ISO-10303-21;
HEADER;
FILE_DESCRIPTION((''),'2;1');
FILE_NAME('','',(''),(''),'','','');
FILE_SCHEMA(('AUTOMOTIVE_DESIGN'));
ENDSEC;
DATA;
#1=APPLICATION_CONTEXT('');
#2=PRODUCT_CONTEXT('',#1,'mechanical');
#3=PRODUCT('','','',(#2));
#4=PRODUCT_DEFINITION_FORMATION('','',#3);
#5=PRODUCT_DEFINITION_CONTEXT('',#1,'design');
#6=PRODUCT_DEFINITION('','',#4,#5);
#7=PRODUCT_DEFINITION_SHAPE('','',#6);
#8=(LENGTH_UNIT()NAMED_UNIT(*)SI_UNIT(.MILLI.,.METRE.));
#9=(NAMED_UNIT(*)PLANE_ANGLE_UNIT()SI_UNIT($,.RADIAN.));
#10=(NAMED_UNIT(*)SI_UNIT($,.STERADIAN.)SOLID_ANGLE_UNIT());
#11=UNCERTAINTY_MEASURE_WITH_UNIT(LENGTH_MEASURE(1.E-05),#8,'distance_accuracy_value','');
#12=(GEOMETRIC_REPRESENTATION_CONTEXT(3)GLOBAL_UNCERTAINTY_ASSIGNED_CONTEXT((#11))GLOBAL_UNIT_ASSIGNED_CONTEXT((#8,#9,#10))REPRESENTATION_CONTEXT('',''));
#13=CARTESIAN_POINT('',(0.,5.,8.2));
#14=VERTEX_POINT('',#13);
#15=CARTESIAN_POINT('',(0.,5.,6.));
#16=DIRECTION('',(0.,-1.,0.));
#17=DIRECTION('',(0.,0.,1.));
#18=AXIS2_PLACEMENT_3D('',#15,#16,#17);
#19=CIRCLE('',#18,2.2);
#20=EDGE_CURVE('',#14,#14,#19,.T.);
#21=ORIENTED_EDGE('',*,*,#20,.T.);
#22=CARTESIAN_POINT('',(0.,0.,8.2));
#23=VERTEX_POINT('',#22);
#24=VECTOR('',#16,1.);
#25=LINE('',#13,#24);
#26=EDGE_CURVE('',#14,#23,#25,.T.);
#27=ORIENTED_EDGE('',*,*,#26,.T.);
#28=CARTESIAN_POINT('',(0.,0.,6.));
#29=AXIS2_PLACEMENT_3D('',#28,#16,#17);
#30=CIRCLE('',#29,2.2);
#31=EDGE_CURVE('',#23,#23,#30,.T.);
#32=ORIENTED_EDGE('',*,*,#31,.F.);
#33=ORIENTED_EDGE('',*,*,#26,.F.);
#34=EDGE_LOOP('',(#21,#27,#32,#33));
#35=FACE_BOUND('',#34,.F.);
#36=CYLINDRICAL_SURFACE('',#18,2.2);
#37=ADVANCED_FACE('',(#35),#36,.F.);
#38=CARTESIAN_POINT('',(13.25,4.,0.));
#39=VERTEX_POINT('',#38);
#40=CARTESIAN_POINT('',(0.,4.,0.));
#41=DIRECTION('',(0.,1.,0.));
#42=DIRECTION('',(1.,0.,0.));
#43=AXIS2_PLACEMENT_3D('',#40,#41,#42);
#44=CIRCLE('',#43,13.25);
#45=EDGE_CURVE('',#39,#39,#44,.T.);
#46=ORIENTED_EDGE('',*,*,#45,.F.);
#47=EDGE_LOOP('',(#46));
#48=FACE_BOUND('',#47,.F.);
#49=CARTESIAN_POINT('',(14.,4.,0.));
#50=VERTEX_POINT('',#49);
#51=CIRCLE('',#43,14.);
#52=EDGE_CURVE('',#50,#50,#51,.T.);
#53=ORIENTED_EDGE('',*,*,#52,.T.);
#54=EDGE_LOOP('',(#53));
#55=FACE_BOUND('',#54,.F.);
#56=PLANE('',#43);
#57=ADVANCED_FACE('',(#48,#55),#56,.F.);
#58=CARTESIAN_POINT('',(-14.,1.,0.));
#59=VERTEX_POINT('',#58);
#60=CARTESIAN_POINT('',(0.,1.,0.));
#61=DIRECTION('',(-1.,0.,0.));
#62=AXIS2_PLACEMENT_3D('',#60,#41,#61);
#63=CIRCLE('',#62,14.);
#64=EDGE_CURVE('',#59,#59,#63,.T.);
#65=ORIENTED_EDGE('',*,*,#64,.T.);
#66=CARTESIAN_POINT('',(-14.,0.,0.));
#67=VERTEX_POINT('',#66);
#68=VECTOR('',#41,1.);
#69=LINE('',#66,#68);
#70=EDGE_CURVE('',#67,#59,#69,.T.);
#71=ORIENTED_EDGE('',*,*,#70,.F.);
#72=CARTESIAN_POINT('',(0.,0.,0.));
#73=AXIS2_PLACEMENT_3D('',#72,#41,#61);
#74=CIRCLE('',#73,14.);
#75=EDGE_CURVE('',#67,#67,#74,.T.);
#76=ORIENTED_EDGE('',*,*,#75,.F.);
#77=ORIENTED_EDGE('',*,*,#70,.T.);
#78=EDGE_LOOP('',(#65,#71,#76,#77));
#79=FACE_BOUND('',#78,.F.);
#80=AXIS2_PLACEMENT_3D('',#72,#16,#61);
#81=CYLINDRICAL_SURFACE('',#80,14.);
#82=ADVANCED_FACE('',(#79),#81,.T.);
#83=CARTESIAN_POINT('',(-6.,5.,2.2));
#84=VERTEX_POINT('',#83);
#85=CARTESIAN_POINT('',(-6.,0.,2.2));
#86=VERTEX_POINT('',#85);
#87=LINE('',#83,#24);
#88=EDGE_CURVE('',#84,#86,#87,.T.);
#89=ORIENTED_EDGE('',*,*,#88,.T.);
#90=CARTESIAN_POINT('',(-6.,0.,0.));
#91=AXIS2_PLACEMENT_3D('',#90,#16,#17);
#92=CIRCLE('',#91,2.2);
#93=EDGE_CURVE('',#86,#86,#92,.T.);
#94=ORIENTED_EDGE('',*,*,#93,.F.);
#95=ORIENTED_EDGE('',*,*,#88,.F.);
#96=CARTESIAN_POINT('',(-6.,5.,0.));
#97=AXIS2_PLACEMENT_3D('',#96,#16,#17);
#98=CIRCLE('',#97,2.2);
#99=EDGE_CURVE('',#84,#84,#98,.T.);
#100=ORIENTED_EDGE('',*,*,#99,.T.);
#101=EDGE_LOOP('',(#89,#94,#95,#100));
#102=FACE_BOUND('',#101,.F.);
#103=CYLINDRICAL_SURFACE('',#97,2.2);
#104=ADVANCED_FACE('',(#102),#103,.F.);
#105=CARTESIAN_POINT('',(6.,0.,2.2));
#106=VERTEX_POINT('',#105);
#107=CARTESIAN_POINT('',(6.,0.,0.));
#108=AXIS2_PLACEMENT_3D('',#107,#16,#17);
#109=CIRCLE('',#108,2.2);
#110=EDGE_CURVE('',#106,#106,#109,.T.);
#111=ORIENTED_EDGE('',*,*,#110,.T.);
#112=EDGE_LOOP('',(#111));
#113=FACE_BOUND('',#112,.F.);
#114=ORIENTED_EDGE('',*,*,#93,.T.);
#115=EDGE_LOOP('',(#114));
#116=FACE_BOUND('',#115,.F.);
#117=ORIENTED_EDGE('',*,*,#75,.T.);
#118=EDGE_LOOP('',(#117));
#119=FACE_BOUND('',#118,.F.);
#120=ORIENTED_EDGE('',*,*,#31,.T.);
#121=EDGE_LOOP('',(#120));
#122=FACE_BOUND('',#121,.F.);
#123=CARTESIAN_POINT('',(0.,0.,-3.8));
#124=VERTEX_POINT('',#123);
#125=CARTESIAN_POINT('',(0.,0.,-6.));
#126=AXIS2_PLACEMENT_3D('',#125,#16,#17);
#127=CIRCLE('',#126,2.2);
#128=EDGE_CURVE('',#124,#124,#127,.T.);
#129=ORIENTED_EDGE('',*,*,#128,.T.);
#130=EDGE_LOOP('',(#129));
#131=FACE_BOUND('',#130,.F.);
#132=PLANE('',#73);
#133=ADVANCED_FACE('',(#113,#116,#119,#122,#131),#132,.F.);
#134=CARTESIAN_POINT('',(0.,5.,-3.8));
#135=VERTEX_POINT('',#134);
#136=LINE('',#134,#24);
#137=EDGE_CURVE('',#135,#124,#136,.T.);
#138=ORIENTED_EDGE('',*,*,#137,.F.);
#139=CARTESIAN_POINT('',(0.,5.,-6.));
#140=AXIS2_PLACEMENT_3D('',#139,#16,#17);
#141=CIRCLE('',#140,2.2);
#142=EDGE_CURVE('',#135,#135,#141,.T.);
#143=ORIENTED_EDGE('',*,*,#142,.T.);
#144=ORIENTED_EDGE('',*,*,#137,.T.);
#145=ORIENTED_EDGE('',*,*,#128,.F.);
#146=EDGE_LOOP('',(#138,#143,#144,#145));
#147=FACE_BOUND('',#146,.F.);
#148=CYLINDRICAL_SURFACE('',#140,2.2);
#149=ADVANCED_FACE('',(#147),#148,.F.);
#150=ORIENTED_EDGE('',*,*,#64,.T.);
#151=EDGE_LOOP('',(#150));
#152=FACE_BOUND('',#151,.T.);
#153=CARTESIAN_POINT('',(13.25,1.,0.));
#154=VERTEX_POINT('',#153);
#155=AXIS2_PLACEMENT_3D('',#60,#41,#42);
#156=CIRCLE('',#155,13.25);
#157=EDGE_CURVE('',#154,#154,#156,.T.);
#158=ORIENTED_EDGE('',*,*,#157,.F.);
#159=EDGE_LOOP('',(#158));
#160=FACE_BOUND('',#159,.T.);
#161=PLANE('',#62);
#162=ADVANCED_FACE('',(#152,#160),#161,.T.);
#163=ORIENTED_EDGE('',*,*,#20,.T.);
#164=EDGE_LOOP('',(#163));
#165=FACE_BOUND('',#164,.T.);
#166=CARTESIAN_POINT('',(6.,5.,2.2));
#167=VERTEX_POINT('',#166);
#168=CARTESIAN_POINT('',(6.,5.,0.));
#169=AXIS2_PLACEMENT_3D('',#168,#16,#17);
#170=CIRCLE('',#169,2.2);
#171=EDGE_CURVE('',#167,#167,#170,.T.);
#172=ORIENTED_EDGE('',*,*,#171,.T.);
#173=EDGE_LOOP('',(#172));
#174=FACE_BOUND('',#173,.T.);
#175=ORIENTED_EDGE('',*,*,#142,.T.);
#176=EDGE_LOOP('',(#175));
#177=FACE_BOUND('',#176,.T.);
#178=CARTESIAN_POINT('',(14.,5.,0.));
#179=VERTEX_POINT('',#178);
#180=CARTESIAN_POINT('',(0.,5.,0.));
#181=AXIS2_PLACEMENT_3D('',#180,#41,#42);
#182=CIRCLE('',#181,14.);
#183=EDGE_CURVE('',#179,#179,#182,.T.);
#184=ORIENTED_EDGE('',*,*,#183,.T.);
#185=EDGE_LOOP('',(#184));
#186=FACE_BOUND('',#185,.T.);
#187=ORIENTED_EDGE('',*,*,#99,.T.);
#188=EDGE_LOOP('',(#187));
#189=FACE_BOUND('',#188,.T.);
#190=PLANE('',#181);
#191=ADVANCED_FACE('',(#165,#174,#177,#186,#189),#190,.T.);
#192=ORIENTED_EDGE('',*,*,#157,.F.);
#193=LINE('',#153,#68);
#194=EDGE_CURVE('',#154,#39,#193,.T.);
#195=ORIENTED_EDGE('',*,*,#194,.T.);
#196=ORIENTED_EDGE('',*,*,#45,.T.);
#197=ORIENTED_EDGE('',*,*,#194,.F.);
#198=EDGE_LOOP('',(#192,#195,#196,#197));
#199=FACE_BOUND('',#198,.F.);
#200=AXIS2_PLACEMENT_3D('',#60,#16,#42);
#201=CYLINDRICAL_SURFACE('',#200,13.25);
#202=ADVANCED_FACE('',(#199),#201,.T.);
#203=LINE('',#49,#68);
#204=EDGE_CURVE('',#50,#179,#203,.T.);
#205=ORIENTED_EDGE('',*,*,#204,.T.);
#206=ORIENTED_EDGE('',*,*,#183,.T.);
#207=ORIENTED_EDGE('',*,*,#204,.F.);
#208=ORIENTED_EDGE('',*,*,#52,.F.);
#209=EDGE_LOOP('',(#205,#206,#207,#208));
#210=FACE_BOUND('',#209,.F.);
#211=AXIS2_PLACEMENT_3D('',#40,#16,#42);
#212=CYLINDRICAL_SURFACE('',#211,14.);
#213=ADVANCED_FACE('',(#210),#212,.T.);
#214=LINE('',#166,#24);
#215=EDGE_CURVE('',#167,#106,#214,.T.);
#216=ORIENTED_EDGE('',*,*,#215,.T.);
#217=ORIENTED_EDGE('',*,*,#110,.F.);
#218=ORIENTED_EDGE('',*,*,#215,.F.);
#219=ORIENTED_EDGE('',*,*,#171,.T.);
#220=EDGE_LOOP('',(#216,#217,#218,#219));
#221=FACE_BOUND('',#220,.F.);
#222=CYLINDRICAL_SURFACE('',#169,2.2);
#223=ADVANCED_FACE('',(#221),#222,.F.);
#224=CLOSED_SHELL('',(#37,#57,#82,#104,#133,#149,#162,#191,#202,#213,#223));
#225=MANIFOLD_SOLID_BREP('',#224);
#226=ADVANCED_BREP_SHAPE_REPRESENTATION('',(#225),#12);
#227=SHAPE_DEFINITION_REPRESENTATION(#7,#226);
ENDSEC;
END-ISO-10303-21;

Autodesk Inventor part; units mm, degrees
ref_plane "YZ Plane" through (0, 0, 0) normal (1, 0, 0) x (0, 1, 0)
ref_plane "XZ Plane" through (0, 0, 0) normal (0, 1, 0) x (-1, 0, 0)
ref_plane "XY Plane" through (0, 0, 0) normal (0, 0, 1) x (1, 0, 0)
sketch "Sketch1" plane through (0, 0, 0) normal (0, 1, 0) x (-1, 0, 0)
  circle A0 centre (0, 0) radius 14
  dimension "d0" = 28
extrude "Extrusion1" add sketch "Sketch1" along normal blind 1
sketch "Sketch2" plane through (0, 1, 0) normal (0, 1, 0) x (1, 0, 0)
  circle A0 centre (0, 0) radius 13.25
  dimension "d3" = 26.5
extrude "Extrusion2" add sketch "Sketch2" along normal blind 3
sketch "Sketch3" plane through (0, 4, 0) normal (0, 1, 0) x (1, 0, 0)
  circle A0 centre (0, 0) radius 14
  dimension "d6" = 28
extrude "Extrusion3" add sketch "Sketch3" along normal blind 1
sketch "Sketch4" plane through (0, 5, 0) normal (0, 1, 0) x (1, 0, 0)
  circle A0 centre (-6, 0) radius 2.2
  circle A1 centre (6, 0) radius 2.2
  circle A2 centre (0, -6) radius 2.2
  circle A3 centre (0, 6) radius 2.2
  point P0 (0, 0)
  dimension "d9" = 4.4
  dimension "d10" = 6
  dimension "d11" = 4.4
  dimension "d12" = 12
  dimension "d13" = 4.4
  dimension "d14" = 6
  dimension "d15" = 4.4
  dimension "d16" = 6
hole "Hole1" at (0, 5, 6) at (-6, 5, 0) at (6, 5, 0) at (0, 5, -6) direction (0, -1, 0) diameter 4.4 end through all
properties part number "XLRotorWheel" material "ABS Plastic"
